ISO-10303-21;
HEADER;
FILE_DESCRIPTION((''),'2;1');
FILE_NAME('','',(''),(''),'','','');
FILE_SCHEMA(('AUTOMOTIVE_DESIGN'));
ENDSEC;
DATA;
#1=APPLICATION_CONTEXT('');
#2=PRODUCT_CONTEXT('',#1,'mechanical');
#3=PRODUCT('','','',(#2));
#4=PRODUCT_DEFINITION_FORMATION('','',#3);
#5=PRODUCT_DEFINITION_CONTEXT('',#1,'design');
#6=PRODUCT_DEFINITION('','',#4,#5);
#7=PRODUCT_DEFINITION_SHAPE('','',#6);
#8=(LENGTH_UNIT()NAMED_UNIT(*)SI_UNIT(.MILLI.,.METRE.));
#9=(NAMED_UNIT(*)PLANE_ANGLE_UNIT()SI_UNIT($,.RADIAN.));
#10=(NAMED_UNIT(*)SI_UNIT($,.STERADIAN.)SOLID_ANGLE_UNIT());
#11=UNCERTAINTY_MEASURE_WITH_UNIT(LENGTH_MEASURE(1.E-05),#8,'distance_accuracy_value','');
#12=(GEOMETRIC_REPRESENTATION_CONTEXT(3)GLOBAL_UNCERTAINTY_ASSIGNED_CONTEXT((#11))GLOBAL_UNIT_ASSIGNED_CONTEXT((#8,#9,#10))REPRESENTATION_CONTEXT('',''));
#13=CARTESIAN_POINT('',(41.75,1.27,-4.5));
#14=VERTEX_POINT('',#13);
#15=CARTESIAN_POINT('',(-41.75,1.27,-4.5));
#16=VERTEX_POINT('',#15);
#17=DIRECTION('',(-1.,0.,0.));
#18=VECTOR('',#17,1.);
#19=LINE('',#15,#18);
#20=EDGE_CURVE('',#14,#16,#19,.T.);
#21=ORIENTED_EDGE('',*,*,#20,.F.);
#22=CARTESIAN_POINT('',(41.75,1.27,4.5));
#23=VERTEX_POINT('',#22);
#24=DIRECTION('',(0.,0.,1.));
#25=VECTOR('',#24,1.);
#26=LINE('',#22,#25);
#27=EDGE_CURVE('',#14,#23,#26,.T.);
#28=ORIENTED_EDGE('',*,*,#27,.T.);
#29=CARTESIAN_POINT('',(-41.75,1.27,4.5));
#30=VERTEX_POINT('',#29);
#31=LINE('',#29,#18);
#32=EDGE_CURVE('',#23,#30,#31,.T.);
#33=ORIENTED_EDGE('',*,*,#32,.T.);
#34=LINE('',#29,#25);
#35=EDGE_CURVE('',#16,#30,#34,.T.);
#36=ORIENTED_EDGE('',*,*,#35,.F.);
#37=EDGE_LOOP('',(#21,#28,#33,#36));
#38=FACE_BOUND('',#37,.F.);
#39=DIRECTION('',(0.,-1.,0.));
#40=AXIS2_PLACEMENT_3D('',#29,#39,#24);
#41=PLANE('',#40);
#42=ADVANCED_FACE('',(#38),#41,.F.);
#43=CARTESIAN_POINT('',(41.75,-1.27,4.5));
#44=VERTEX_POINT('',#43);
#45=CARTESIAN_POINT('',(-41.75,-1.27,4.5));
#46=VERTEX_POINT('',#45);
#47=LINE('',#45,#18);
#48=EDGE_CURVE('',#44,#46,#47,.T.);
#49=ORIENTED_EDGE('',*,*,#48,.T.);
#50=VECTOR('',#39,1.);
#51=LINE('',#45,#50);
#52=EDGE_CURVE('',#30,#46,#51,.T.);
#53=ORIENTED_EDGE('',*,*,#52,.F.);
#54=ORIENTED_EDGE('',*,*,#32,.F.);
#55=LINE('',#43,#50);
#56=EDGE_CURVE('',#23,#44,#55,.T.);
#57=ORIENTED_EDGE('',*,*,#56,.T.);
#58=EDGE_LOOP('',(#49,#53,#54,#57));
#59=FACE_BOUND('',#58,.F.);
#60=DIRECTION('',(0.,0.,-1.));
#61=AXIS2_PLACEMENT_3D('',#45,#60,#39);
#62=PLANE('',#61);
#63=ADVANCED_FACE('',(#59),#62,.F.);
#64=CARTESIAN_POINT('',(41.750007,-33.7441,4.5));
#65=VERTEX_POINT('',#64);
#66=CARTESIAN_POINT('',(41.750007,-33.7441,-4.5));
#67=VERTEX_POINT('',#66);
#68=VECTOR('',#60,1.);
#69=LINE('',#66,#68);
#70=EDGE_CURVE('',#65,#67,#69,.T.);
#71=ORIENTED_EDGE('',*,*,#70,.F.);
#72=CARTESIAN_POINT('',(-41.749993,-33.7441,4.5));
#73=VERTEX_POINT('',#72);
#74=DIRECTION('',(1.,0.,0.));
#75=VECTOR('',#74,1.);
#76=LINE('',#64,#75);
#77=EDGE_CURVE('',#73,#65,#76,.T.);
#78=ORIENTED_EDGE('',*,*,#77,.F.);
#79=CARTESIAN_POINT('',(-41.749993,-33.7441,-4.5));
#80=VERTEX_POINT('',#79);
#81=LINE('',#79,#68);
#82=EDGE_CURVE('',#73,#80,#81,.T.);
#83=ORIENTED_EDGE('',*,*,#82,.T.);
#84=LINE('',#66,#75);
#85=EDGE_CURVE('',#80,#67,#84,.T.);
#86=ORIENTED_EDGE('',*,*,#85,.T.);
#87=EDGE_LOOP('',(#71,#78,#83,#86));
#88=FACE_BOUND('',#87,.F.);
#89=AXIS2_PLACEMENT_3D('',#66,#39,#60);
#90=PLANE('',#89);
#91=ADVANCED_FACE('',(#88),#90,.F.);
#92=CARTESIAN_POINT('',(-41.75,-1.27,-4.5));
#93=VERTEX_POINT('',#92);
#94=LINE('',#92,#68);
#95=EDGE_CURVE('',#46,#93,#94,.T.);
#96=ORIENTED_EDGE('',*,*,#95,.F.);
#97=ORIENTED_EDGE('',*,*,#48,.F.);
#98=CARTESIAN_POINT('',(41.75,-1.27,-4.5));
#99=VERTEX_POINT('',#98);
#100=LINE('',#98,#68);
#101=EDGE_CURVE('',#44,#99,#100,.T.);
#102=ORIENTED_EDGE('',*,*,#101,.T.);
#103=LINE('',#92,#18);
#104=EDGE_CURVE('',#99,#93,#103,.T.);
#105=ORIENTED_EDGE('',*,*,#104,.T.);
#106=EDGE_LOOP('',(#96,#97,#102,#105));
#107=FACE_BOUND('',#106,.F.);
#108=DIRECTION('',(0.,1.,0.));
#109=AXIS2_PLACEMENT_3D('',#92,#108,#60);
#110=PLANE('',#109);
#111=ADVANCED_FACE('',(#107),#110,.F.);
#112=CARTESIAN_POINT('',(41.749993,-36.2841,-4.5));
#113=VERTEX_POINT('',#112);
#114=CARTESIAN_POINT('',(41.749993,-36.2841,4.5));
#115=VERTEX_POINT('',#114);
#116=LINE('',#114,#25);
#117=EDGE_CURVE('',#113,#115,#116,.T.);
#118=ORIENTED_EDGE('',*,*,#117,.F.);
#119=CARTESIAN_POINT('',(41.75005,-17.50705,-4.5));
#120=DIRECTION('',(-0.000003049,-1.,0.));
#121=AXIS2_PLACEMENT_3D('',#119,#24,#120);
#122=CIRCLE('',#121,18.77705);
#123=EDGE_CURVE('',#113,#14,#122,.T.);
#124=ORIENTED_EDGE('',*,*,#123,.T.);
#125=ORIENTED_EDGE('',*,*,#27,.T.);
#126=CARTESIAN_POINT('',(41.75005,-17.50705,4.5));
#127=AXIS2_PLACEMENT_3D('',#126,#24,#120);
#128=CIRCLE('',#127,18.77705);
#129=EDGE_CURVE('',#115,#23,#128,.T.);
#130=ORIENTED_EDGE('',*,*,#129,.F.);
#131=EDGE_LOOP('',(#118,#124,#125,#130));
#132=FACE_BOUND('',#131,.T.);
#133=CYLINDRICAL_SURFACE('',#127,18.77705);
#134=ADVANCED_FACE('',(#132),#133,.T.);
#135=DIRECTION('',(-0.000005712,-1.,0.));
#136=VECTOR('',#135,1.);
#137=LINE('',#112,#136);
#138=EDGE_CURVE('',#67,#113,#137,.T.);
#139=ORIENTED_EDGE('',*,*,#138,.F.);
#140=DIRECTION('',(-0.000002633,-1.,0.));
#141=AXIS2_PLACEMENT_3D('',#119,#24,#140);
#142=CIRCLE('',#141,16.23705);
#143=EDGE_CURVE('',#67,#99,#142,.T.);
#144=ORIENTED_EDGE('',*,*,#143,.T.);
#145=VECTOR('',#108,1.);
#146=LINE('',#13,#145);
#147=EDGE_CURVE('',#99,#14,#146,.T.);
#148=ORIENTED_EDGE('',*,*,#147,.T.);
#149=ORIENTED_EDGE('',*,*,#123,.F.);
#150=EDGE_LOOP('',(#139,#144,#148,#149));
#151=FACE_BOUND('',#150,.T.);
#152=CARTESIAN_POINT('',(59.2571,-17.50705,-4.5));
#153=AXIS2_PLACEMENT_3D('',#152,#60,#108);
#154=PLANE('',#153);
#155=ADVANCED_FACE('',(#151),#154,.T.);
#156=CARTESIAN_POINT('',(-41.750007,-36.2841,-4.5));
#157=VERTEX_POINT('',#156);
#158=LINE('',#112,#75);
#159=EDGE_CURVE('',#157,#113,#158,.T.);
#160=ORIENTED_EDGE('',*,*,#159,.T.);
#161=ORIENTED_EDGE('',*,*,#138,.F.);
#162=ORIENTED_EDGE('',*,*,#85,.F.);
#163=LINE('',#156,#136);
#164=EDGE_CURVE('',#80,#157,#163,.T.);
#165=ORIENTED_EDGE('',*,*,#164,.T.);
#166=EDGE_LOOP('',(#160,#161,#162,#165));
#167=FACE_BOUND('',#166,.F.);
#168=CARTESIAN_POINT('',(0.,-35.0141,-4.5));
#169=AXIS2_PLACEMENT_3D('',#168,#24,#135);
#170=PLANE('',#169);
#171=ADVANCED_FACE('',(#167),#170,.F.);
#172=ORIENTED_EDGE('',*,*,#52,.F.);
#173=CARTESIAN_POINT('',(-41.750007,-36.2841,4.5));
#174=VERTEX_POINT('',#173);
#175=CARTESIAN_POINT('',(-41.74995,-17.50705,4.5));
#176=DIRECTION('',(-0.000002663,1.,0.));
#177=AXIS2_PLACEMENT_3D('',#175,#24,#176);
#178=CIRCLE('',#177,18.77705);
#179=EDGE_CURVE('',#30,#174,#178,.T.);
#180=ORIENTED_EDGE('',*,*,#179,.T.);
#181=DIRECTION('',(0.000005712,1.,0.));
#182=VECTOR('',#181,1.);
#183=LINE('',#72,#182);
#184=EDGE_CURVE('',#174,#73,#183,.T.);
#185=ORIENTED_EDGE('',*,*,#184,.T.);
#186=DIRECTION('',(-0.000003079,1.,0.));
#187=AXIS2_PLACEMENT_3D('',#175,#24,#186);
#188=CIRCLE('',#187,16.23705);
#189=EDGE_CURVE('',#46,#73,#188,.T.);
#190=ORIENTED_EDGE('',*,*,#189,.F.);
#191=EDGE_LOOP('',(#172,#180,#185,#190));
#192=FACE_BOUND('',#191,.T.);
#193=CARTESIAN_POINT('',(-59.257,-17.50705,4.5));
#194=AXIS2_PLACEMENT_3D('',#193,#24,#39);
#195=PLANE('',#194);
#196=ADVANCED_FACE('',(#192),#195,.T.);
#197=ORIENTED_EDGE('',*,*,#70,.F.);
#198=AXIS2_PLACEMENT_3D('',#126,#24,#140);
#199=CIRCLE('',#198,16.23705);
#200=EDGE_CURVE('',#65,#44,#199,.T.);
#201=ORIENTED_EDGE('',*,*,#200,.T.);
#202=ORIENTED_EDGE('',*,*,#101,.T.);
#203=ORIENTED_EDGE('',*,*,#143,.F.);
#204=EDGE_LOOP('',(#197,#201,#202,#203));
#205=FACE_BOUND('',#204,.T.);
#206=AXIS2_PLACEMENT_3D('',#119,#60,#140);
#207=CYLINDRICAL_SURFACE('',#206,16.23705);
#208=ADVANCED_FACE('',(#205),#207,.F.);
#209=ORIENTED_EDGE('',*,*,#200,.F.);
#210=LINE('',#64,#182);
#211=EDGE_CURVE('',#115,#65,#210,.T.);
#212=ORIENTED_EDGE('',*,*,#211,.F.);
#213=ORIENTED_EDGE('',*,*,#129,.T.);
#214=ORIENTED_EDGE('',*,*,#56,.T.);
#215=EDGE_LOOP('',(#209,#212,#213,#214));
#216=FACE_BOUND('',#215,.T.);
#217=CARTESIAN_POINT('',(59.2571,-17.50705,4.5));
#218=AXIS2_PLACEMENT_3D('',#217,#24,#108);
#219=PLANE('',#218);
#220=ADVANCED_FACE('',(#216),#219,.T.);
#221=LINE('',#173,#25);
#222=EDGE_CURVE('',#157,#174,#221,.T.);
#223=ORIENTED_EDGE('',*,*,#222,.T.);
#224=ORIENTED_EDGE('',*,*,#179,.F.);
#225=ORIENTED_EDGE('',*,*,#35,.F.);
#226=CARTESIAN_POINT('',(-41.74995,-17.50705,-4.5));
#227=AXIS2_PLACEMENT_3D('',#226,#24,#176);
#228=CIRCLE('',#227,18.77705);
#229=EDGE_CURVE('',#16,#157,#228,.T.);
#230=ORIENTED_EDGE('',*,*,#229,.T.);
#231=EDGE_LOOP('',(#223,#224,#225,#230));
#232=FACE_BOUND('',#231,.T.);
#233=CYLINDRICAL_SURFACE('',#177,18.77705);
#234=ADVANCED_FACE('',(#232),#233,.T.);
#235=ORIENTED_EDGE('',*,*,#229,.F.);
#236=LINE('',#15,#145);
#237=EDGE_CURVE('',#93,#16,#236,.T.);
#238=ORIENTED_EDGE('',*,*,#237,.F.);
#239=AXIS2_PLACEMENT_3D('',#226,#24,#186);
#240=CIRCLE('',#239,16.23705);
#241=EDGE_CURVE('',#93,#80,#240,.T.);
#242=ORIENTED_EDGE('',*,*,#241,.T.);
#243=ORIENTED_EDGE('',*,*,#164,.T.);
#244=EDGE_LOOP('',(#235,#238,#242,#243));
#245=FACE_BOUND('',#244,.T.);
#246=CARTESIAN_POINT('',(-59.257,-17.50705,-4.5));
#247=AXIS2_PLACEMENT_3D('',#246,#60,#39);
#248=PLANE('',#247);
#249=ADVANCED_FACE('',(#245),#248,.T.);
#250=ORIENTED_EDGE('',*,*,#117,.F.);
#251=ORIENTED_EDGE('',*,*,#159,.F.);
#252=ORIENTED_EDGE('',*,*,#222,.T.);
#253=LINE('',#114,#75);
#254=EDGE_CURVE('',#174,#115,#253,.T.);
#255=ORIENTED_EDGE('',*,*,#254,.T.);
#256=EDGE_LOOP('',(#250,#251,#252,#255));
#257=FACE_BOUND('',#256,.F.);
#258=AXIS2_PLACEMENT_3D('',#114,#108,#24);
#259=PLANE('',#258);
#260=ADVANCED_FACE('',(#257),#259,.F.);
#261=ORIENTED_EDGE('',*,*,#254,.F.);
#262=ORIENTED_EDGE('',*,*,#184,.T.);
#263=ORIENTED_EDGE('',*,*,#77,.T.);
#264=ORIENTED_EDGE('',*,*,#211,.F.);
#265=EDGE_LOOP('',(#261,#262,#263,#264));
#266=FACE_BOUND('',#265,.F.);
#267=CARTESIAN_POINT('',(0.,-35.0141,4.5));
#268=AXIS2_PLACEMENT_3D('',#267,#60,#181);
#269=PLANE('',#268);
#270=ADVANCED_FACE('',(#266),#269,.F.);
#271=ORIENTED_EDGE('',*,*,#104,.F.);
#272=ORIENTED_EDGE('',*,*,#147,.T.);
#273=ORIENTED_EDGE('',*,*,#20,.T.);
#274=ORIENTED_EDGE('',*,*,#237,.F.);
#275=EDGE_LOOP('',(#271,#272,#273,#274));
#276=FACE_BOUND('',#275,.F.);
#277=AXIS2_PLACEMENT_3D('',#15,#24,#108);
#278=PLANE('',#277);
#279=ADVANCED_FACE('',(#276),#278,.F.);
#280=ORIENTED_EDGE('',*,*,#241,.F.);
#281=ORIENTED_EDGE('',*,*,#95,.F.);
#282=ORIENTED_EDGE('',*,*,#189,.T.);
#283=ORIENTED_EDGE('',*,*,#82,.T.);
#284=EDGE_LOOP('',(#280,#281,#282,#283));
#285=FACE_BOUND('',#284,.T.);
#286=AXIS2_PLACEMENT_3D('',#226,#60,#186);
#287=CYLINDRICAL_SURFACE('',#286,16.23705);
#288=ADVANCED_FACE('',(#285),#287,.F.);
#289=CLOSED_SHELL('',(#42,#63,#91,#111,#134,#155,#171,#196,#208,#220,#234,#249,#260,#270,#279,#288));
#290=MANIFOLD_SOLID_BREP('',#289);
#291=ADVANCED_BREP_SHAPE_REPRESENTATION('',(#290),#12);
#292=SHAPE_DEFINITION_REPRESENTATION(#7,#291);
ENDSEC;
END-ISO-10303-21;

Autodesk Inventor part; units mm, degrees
ref_plane "YZ Plane" through (0, 0, 0) normal (1, 0, 0) x (0, 1, 0)
ref_plane "XZ Plane" through (0, 0, 0) normal (0, 1, 0) x (-1, 0, 0)
ref_plane "XY Plane" through (0, 0, 0) normal (0, 0, 1) x (1, 0, 0)
sketch "Sketch1" plane through (0, 0, 0) normal (1, 0, 0) x (0, 1, 0)
  line L0 (1.27, -4.5) -> (-1.27, -4.5)
  line L1 (-1.27, -4.5) -> (-1.27, 4.5)
  line L2 (-1.27, 4.5) -> (1.27, 4.5)
  line L3 (1.27, 4.5) -> (1.27, -4.5)
  line L4 (1.27, -4.5) -> (-1.27, 4.5) construction
  line L5 (-1.27, -4.5) -> (1.27, 4.5) construction
  point P0 (0, 0)
  point P1 (0, 0)
  dimension "d0" = 9
  dimension "d1" = 2.54
sketch "Sketch2" plane through (0, 0, 0) normal (0, 0, 1) x (1, 0, 0)
  arc A0 (-41.75, 0) -> (-41.75, -35.0141) centre (-41.75, -17.507) ccw
  arc A1 (41.75, -35.0141) -> (41.75, 0) centre (41.75, -17.507) ccw
  line L0 (-41.75, 0) -> (41.75, 0)
  line L1 (41.75, -35.0141) -> (-41.75, -35.0141)
  point P0 (0, 0)
  point P1 (0, 0)
  dimension "d2" = 83.5
  dimension "d3" = 17.507
sweep "Sweep1" add profiles "Sketch1" path "Sketch2"
properties part number "55t_Belt" material "Rubber"
